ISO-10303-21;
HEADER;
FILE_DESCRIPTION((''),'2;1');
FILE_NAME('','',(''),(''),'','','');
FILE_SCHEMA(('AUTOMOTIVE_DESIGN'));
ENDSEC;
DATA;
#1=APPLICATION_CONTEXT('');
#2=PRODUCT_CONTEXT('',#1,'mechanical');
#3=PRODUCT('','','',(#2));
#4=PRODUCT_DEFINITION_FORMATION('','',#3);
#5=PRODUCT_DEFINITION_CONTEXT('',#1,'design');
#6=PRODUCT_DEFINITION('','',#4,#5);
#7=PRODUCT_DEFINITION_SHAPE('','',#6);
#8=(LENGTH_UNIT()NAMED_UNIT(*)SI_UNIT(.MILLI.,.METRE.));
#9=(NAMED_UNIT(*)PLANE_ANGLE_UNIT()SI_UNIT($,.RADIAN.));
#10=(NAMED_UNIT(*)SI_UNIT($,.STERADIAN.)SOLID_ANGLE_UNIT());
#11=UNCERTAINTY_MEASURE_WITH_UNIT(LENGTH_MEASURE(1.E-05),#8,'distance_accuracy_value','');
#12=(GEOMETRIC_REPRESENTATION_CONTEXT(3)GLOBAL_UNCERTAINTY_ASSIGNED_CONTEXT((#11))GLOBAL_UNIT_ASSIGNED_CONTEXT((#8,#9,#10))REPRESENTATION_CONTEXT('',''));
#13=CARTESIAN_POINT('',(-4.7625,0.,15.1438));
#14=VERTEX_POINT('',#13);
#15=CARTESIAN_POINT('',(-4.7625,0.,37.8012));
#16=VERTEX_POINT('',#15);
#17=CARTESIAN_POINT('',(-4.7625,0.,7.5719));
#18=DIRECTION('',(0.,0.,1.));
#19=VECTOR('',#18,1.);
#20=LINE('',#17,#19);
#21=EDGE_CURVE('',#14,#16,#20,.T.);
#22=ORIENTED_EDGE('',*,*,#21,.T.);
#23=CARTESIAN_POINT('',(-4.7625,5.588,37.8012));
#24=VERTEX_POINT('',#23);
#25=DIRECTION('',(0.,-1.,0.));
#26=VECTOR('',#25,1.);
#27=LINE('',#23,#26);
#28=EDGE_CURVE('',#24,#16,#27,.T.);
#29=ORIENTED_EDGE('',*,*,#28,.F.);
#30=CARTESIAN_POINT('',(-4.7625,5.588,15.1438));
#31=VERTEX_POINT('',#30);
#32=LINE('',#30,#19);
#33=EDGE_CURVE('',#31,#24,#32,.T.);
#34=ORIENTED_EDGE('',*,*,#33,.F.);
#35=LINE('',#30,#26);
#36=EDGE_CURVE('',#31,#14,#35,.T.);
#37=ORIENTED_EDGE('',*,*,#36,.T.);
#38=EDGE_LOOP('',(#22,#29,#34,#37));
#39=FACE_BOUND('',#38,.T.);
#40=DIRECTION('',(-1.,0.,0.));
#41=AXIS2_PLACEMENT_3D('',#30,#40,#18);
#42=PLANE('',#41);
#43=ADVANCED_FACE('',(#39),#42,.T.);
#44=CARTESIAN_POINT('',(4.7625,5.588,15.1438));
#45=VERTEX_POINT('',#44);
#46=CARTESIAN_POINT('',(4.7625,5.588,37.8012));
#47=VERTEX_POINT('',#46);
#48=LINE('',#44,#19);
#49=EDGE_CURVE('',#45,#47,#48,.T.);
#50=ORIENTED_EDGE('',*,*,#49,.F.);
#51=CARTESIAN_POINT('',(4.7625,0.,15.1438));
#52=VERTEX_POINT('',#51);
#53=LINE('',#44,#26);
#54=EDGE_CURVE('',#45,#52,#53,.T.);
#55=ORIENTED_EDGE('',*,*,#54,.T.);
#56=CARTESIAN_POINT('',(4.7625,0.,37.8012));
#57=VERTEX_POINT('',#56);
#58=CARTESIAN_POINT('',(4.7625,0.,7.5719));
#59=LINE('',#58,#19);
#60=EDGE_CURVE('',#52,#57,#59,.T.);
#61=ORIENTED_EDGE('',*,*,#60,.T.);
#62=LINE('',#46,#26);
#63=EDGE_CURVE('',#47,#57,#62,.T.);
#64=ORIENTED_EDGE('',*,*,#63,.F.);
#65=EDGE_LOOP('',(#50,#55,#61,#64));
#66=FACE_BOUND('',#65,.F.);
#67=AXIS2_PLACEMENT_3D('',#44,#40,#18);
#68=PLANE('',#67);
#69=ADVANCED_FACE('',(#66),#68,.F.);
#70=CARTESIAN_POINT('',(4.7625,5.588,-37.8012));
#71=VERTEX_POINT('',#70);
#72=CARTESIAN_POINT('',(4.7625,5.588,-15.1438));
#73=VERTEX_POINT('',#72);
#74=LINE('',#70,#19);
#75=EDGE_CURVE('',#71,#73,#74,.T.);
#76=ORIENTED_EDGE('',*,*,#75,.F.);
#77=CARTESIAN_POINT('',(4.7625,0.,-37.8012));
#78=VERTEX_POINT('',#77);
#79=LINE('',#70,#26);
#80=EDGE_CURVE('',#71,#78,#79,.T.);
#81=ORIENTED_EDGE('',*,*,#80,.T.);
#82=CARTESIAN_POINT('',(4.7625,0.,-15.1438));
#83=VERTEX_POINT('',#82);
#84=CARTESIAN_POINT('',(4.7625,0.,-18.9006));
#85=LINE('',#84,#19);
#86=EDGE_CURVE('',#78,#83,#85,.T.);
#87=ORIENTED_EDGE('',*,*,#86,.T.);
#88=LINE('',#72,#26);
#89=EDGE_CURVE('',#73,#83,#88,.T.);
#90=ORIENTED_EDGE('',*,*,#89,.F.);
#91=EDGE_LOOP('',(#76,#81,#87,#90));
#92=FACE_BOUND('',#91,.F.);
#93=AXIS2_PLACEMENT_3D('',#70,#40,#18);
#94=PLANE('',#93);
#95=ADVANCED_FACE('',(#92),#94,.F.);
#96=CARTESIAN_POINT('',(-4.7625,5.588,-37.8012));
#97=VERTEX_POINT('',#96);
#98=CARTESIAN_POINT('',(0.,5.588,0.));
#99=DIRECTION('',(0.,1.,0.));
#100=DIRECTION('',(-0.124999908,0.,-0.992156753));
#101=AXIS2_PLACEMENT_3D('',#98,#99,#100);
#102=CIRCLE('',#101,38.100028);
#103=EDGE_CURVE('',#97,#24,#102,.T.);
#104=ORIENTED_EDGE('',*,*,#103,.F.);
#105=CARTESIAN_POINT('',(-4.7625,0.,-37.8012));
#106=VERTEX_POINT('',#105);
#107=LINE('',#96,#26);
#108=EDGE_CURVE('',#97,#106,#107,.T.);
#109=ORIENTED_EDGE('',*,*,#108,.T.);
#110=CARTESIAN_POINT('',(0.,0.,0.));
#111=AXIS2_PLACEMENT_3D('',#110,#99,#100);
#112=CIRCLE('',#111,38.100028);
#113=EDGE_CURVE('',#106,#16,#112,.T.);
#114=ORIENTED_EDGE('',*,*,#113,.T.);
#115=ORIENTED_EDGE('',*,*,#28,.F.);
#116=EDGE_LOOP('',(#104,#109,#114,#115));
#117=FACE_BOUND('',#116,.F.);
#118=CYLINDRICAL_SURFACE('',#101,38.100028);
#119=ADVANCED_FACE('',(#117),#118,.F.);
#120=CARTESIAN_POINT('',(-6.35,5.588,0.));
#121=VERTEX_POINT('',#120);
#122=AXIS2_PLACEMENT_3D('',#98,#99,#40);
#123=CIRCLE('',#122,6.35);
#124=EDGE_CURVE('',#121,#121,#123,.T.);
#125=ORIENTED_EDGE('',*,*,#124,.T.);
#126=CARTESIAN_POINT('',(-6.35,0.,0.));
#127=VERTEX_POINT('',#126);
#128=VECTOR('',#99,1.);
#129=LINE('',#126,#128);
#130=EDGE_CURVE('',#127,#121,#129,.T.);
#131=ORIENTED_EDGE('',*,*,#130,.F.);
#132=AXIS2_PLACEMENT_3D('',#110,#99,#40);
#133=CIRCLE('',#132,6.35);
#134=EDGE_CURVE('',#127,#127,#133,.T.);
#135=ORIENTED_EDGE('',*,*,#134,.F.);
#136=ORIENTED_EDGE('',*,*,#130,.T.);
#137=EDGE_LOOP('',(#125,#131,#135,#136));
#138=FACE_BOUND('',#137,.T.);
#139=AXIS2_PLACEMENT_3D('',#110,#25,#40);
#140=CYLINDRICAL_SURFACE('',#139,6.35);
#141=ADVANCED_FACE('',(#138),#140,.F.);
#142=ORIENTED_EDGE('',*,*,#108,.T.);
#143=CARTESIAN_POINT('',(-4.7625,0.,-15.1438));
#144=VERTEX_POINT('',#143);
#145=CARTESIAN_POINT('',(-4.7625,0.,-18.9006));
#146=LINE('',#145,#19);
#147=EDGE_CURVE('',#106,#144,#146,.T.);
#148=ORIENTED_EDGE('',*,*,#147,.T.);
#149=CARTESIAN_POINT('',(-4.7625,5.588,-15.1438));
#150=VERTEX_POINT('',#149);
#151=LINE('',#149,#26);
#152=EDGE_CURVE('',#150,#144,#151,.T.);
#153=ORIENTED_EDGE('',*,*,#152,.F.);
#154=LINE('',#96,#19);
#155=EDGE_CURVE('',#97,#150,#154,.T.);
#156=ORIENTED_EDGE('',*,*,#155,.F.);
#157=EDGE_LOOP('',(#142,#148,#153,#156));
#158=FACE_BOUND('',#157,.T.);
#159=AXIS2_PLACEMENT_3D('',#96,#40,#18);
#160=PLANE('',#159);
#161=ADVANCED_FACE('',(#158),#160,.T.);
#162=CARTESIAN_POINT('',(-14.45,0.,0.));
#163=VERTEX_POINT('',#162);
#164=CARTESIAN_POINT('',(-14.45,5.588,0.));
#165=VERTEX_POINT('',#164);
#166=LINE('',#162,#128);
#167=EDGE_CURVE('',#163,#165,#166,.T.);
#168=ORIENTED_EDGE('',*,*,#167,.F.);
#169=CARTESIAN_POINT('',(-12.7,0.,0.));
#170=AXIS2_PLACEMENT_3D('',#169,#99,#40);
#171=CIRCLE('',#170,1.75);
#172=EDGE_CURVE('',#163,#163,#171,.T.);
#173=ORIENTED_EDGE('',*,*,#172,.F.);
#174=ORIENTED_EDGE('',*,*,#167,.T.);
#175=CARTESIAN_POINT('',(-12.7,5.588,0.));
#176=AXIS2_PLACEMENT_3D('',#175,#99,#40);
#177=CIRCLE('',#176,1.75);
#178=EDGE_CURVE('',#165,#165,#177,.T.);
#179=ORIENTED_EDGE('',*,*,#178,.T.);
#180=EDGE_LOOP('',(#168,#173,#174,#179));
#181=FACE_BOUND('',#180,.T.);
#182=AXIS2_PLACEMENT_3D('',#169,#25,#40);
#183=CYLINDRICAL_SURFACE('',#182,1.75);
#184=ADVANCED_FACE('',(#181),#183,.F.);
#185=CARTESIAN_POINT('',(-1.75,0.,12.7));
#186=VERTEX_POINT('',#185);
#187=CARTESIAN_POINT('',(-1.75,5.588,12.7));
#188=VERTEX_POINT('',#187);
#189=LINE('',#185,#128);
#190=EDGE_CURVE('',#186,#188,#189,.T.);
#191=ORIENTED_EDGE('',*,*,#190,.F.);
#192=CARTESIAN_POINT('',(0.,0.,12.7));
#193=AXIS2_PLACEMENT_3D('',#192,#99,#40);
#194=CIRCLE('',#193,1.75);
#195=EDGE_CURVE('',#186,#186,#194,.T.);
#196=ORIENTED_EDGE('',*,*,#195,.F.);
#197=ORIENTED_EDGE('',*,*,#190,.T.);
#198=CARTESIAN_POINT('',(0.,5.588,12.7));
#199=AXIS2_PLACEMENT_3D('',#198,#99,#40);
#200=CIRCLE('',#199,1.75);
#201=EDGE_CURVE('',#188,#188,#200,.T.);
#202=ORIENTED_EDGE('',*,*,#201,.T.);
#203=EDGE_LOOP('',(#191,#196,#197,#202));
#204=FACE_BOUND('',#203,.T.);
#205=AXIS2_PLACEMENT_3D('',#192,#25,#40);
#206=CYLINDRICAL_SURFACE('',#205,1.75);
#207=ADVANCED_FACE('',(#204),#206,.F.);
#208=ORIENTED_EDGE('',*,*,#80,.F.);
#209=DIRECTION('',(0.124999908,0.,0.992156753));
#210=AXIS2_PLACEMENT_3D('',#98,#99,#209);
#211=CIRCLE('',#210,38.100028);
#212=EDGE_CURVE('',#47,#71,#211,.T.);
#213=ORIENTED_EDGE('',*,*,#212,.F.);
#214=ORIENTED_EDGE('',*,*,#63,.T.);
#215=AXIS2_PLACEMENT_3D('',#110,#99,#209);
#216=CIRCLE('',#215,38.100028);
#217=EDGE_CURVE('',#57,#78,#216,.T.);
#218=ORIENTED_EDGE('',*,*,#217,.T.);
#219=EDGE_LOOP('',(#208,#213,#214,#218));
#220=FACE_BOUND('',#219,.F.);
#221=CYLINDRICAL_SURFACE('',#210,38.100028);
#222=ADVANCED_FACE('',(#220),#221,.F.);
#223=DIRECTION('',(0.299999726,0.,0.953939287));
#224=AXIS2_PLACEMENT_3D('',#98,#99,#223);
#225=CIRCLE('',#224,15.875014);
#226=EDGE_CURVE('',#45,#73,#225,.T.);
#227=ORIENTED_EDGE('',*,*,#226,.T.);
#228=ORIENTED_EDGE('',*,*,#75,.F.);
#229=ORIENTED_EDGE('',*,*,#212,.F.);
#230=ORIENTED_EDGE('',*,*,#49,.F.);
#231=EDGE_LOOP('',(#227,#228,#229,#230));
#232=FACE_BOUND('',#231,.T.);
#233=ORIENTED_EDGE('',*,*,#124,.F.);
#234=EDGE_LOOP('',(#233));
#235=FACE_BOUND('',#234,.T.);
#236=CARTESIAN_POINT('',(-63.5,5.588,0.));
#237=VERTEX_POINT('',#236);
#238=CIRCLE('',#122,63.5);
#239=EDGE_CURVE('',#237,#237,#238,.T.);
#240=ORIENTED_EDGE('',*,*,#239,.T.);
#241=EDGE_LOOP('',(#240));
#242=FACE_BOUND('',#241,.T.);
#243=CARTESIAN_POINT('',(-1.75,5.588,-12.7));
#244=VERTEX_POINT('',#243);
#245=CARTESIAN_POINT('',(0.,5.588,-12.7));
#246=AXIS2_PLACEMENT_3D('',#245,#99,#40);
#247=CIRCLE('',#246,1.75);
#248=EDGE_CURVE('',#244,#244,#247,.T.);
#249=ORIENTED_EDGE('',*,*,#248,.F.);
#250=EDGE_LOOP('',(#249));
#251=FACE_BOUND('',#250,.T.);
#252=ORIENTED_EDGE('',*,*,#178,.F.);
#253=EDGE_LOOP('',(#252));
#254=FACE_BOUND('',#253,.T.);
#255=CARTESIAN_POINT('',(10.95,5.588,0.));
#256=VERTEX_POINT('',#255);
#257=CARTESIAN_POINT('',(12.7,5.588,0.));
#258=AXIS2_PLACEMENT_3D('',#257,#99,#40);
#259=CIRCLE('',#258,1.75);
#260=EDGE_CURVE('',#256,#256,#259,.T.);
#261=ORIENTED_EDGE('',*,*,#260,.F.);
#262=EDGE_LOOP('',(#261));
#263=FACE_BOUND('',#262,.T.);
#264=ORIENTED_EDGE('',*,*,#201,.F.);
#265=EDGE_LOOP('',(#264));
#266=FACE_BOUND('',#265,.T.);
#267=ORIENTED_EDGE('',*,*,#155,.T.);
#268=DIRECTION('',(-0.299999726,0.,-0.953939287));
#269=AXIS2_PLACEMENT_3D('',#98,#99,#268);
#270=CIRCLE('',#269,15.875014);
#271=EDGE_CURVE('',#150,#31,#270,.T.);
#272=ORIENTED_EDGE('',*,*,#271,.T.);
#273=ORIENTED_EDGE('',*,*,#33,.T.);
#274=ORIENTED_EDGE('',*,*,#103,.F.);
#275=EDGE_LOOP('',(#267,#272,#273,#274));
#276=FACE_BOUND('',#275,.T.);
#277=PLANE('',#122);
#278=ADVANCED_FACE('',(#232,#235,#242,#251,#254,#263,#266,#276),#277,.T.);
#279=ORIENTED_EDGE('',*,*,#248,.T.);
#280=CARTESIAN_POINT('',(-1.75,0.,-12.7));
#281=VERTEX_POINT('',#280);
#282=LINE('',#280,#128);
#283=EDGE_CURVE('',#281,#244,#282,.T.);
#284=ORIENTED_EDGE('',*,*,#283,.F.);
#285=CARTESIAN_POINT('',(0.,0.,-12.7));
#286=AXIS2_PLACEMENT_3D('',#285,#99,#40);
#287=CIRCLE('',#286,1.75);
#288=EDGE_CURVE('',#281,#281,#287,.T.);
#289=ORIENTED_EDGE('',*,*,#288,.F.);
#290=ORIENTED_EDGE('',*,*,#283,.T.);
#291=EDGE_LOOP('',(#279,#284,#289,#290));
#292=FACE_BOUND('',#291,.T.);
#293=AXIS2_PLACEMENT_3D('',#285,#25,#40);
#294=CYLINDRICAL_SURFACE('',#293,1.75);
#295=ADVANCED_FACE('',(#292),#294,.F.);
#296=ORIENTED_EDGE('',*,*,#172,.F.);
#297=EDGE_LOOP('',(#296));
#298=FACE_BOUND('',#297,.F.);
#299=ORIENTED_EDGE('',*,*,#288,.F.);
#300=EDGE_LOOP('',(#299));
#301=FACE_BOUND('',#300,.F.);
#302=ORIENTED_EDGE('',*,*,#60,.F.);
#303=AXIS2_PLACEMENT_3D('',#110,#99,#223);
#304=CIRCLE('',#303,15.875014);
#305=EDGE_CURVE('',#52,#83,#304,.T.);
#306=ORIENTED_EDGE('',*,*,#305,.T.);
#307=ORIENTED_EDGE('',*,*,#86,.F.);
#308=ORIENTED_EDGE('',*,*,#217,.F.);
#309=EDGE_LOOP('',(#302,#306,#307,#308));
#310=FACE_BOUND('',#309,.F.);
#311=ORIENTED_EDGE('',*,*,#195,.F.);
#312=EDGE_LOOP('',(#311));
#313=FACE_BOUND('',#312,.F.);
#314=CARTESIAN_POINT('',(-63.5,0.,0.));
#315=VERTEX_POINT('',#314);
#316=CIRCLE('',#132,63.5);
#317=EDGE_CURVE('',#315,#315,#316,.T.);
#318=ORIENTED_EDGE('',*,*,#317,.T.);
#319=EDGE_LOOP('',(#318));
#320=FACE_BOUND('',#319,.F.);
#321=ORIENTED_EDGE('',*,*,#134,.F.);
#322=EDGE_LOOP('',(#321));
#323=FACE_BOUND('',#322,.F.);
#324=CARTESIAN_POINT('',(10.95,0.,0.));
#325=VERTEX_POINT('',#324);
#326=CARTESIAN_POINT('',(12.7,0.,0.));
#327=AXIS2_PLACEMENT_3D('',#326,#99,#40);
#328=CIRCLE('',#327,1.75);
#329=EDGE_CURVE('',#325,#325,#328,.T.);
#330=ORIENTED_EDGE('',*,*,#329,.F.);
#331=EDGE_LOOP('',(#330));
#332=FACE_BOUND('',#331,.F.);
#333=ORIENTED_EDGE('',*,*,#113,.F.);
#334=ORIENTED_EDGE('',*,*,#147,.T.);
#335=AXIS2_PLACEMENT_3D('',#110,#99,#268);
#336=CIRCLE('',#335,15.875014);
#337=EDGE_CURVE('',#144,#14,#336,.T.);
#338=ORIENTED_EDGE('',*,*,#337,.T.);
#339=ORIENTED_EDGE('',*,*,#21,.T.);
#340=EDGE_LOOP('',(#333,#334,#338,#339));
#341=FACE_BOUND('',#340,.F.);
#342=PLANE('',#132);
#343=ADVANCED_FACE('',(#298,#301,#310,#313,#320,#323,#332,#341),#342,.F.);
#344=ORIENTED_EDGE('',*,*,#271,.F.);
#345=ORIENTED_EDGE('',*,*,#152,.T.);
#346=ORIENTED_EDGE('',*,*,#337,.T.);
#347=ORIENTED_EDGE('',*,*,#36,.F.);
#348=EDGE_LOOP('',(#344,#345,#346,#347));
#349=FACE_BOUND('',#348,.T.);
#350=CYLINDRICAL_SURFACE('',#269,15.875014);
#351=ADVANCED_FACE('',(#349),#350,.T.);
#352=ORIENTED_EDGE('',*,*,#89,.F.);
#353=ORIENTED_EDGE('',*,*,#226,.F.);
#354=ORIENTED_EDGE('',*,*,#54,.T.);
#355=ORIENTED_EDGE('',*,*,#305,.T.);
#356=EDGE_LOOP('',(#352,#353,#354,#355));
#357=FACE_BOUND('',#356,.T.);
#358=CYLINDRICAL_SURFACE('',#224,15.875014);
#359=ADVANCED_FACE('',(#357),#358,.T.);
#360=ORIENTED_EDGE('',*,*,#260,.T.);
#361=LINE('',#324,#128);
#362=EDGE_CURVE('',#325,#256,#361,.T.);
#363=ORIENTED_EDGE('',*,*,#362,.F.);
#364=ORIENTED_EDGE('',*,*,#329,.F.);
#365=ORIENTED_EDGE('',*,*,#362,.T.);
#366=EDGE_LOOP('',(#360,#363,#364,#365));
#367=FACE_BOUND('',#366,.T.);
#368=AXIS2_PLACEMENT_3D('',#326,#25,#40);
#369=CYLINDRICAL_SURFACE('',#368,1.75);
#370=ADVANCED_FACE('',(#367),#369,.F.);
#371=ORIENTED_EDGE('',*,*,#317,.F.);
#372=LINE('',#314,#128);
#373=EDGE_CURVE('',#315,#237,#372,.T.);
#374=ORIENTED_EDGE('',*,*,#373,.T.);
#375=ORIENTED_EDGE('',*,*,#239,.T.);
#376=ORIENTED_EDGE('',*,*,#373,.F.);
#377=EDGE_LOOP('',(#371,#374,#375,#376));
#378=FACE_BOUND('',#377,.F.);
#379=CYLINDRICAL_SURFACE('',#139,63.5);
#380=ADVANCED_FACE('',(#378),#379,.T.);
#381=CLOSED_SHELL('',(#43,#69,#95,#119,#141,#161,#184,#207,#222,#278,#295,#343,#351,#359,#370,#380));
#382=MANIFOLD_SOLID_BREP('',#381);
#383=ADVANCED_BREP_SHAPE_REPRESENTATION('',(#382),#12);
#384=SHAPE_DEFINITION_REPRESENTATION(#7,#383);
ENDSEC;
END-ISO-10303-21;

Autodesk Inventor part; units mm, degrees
ref_plane "YZ Plane" through (0, 0, 0) normal (1, 0, 0) x (0, 1, 0)
ref_plane "XZ Plane" through (0, 0, 0) normal (0, 1, 0) x (-1, 0, 0)
ref_plane "XY Plane" through (0, 0, 0) normal (0, 0, 1) x (1, 0, 0)
sketch "Sketch1" plane through (0, 0, 0) normal (0, 1, 0) x (-1, 0, 0)
  circle A0 centre (0, 0) radius 63.5
  circle A1 centre (0, 0) radius 6.35
  circle A2 centre (-12.7, 0) radius 1.75
  circle A3 centre (0, -12.7) radius 1.75
  circle A4 centre (12.7, 0) radius 1.75
  circle A5 centre (0, 12.7) radius 1.75
  dimension "d8" = 3.5
  dimension "d9" = 3.5
  dimension "d10" = 3.5
  dimension "d11" = 3.5
extrude "Extrusion1" add sketch "Sketch1" along normal blind 5.588
sketch "Sketch2" plane through (0, 5.588, 0) normal (0, 1, 0) x (1, 0, 0)
  circle A0 centre (0, 0) radius 63.5 projected
  line L0 (-4.7625, 37.8012) -> (-4.7625, 15.1438)
  line L1 (-4.7625, -15.1438) -> (-4.7625, -37.8012)
  line L2 (4.7625, 37.8012) -> (4.7625, 15.1438)
  line L3 (4.7625, -15.1438) -> (4.7625, -37.8012)
  arc A1 (-4.7625, 37.8012) -> (-4.7625, -37.8012) centre (0, 0) ccw
  arc A2 (4.7625, -37.8012) -> (4.7625, 37.8012) centre (0, 0) ccw
  arc A3 (-4.7625, 15.1438) -> (-4.7625, -15.1438) centre (0, 0) ccw
  arc A4 (4.7625, -15.1438) -> (4.7625, 15.1438) centre (0, 0) ccw
extrude "Extrusion2" cut sketch "Sketch2" against normal blind 25.4 contours L0 A3 L1 A1 | A2 L3 A4 L2
properties part number "AcrylicFlywheel2"
